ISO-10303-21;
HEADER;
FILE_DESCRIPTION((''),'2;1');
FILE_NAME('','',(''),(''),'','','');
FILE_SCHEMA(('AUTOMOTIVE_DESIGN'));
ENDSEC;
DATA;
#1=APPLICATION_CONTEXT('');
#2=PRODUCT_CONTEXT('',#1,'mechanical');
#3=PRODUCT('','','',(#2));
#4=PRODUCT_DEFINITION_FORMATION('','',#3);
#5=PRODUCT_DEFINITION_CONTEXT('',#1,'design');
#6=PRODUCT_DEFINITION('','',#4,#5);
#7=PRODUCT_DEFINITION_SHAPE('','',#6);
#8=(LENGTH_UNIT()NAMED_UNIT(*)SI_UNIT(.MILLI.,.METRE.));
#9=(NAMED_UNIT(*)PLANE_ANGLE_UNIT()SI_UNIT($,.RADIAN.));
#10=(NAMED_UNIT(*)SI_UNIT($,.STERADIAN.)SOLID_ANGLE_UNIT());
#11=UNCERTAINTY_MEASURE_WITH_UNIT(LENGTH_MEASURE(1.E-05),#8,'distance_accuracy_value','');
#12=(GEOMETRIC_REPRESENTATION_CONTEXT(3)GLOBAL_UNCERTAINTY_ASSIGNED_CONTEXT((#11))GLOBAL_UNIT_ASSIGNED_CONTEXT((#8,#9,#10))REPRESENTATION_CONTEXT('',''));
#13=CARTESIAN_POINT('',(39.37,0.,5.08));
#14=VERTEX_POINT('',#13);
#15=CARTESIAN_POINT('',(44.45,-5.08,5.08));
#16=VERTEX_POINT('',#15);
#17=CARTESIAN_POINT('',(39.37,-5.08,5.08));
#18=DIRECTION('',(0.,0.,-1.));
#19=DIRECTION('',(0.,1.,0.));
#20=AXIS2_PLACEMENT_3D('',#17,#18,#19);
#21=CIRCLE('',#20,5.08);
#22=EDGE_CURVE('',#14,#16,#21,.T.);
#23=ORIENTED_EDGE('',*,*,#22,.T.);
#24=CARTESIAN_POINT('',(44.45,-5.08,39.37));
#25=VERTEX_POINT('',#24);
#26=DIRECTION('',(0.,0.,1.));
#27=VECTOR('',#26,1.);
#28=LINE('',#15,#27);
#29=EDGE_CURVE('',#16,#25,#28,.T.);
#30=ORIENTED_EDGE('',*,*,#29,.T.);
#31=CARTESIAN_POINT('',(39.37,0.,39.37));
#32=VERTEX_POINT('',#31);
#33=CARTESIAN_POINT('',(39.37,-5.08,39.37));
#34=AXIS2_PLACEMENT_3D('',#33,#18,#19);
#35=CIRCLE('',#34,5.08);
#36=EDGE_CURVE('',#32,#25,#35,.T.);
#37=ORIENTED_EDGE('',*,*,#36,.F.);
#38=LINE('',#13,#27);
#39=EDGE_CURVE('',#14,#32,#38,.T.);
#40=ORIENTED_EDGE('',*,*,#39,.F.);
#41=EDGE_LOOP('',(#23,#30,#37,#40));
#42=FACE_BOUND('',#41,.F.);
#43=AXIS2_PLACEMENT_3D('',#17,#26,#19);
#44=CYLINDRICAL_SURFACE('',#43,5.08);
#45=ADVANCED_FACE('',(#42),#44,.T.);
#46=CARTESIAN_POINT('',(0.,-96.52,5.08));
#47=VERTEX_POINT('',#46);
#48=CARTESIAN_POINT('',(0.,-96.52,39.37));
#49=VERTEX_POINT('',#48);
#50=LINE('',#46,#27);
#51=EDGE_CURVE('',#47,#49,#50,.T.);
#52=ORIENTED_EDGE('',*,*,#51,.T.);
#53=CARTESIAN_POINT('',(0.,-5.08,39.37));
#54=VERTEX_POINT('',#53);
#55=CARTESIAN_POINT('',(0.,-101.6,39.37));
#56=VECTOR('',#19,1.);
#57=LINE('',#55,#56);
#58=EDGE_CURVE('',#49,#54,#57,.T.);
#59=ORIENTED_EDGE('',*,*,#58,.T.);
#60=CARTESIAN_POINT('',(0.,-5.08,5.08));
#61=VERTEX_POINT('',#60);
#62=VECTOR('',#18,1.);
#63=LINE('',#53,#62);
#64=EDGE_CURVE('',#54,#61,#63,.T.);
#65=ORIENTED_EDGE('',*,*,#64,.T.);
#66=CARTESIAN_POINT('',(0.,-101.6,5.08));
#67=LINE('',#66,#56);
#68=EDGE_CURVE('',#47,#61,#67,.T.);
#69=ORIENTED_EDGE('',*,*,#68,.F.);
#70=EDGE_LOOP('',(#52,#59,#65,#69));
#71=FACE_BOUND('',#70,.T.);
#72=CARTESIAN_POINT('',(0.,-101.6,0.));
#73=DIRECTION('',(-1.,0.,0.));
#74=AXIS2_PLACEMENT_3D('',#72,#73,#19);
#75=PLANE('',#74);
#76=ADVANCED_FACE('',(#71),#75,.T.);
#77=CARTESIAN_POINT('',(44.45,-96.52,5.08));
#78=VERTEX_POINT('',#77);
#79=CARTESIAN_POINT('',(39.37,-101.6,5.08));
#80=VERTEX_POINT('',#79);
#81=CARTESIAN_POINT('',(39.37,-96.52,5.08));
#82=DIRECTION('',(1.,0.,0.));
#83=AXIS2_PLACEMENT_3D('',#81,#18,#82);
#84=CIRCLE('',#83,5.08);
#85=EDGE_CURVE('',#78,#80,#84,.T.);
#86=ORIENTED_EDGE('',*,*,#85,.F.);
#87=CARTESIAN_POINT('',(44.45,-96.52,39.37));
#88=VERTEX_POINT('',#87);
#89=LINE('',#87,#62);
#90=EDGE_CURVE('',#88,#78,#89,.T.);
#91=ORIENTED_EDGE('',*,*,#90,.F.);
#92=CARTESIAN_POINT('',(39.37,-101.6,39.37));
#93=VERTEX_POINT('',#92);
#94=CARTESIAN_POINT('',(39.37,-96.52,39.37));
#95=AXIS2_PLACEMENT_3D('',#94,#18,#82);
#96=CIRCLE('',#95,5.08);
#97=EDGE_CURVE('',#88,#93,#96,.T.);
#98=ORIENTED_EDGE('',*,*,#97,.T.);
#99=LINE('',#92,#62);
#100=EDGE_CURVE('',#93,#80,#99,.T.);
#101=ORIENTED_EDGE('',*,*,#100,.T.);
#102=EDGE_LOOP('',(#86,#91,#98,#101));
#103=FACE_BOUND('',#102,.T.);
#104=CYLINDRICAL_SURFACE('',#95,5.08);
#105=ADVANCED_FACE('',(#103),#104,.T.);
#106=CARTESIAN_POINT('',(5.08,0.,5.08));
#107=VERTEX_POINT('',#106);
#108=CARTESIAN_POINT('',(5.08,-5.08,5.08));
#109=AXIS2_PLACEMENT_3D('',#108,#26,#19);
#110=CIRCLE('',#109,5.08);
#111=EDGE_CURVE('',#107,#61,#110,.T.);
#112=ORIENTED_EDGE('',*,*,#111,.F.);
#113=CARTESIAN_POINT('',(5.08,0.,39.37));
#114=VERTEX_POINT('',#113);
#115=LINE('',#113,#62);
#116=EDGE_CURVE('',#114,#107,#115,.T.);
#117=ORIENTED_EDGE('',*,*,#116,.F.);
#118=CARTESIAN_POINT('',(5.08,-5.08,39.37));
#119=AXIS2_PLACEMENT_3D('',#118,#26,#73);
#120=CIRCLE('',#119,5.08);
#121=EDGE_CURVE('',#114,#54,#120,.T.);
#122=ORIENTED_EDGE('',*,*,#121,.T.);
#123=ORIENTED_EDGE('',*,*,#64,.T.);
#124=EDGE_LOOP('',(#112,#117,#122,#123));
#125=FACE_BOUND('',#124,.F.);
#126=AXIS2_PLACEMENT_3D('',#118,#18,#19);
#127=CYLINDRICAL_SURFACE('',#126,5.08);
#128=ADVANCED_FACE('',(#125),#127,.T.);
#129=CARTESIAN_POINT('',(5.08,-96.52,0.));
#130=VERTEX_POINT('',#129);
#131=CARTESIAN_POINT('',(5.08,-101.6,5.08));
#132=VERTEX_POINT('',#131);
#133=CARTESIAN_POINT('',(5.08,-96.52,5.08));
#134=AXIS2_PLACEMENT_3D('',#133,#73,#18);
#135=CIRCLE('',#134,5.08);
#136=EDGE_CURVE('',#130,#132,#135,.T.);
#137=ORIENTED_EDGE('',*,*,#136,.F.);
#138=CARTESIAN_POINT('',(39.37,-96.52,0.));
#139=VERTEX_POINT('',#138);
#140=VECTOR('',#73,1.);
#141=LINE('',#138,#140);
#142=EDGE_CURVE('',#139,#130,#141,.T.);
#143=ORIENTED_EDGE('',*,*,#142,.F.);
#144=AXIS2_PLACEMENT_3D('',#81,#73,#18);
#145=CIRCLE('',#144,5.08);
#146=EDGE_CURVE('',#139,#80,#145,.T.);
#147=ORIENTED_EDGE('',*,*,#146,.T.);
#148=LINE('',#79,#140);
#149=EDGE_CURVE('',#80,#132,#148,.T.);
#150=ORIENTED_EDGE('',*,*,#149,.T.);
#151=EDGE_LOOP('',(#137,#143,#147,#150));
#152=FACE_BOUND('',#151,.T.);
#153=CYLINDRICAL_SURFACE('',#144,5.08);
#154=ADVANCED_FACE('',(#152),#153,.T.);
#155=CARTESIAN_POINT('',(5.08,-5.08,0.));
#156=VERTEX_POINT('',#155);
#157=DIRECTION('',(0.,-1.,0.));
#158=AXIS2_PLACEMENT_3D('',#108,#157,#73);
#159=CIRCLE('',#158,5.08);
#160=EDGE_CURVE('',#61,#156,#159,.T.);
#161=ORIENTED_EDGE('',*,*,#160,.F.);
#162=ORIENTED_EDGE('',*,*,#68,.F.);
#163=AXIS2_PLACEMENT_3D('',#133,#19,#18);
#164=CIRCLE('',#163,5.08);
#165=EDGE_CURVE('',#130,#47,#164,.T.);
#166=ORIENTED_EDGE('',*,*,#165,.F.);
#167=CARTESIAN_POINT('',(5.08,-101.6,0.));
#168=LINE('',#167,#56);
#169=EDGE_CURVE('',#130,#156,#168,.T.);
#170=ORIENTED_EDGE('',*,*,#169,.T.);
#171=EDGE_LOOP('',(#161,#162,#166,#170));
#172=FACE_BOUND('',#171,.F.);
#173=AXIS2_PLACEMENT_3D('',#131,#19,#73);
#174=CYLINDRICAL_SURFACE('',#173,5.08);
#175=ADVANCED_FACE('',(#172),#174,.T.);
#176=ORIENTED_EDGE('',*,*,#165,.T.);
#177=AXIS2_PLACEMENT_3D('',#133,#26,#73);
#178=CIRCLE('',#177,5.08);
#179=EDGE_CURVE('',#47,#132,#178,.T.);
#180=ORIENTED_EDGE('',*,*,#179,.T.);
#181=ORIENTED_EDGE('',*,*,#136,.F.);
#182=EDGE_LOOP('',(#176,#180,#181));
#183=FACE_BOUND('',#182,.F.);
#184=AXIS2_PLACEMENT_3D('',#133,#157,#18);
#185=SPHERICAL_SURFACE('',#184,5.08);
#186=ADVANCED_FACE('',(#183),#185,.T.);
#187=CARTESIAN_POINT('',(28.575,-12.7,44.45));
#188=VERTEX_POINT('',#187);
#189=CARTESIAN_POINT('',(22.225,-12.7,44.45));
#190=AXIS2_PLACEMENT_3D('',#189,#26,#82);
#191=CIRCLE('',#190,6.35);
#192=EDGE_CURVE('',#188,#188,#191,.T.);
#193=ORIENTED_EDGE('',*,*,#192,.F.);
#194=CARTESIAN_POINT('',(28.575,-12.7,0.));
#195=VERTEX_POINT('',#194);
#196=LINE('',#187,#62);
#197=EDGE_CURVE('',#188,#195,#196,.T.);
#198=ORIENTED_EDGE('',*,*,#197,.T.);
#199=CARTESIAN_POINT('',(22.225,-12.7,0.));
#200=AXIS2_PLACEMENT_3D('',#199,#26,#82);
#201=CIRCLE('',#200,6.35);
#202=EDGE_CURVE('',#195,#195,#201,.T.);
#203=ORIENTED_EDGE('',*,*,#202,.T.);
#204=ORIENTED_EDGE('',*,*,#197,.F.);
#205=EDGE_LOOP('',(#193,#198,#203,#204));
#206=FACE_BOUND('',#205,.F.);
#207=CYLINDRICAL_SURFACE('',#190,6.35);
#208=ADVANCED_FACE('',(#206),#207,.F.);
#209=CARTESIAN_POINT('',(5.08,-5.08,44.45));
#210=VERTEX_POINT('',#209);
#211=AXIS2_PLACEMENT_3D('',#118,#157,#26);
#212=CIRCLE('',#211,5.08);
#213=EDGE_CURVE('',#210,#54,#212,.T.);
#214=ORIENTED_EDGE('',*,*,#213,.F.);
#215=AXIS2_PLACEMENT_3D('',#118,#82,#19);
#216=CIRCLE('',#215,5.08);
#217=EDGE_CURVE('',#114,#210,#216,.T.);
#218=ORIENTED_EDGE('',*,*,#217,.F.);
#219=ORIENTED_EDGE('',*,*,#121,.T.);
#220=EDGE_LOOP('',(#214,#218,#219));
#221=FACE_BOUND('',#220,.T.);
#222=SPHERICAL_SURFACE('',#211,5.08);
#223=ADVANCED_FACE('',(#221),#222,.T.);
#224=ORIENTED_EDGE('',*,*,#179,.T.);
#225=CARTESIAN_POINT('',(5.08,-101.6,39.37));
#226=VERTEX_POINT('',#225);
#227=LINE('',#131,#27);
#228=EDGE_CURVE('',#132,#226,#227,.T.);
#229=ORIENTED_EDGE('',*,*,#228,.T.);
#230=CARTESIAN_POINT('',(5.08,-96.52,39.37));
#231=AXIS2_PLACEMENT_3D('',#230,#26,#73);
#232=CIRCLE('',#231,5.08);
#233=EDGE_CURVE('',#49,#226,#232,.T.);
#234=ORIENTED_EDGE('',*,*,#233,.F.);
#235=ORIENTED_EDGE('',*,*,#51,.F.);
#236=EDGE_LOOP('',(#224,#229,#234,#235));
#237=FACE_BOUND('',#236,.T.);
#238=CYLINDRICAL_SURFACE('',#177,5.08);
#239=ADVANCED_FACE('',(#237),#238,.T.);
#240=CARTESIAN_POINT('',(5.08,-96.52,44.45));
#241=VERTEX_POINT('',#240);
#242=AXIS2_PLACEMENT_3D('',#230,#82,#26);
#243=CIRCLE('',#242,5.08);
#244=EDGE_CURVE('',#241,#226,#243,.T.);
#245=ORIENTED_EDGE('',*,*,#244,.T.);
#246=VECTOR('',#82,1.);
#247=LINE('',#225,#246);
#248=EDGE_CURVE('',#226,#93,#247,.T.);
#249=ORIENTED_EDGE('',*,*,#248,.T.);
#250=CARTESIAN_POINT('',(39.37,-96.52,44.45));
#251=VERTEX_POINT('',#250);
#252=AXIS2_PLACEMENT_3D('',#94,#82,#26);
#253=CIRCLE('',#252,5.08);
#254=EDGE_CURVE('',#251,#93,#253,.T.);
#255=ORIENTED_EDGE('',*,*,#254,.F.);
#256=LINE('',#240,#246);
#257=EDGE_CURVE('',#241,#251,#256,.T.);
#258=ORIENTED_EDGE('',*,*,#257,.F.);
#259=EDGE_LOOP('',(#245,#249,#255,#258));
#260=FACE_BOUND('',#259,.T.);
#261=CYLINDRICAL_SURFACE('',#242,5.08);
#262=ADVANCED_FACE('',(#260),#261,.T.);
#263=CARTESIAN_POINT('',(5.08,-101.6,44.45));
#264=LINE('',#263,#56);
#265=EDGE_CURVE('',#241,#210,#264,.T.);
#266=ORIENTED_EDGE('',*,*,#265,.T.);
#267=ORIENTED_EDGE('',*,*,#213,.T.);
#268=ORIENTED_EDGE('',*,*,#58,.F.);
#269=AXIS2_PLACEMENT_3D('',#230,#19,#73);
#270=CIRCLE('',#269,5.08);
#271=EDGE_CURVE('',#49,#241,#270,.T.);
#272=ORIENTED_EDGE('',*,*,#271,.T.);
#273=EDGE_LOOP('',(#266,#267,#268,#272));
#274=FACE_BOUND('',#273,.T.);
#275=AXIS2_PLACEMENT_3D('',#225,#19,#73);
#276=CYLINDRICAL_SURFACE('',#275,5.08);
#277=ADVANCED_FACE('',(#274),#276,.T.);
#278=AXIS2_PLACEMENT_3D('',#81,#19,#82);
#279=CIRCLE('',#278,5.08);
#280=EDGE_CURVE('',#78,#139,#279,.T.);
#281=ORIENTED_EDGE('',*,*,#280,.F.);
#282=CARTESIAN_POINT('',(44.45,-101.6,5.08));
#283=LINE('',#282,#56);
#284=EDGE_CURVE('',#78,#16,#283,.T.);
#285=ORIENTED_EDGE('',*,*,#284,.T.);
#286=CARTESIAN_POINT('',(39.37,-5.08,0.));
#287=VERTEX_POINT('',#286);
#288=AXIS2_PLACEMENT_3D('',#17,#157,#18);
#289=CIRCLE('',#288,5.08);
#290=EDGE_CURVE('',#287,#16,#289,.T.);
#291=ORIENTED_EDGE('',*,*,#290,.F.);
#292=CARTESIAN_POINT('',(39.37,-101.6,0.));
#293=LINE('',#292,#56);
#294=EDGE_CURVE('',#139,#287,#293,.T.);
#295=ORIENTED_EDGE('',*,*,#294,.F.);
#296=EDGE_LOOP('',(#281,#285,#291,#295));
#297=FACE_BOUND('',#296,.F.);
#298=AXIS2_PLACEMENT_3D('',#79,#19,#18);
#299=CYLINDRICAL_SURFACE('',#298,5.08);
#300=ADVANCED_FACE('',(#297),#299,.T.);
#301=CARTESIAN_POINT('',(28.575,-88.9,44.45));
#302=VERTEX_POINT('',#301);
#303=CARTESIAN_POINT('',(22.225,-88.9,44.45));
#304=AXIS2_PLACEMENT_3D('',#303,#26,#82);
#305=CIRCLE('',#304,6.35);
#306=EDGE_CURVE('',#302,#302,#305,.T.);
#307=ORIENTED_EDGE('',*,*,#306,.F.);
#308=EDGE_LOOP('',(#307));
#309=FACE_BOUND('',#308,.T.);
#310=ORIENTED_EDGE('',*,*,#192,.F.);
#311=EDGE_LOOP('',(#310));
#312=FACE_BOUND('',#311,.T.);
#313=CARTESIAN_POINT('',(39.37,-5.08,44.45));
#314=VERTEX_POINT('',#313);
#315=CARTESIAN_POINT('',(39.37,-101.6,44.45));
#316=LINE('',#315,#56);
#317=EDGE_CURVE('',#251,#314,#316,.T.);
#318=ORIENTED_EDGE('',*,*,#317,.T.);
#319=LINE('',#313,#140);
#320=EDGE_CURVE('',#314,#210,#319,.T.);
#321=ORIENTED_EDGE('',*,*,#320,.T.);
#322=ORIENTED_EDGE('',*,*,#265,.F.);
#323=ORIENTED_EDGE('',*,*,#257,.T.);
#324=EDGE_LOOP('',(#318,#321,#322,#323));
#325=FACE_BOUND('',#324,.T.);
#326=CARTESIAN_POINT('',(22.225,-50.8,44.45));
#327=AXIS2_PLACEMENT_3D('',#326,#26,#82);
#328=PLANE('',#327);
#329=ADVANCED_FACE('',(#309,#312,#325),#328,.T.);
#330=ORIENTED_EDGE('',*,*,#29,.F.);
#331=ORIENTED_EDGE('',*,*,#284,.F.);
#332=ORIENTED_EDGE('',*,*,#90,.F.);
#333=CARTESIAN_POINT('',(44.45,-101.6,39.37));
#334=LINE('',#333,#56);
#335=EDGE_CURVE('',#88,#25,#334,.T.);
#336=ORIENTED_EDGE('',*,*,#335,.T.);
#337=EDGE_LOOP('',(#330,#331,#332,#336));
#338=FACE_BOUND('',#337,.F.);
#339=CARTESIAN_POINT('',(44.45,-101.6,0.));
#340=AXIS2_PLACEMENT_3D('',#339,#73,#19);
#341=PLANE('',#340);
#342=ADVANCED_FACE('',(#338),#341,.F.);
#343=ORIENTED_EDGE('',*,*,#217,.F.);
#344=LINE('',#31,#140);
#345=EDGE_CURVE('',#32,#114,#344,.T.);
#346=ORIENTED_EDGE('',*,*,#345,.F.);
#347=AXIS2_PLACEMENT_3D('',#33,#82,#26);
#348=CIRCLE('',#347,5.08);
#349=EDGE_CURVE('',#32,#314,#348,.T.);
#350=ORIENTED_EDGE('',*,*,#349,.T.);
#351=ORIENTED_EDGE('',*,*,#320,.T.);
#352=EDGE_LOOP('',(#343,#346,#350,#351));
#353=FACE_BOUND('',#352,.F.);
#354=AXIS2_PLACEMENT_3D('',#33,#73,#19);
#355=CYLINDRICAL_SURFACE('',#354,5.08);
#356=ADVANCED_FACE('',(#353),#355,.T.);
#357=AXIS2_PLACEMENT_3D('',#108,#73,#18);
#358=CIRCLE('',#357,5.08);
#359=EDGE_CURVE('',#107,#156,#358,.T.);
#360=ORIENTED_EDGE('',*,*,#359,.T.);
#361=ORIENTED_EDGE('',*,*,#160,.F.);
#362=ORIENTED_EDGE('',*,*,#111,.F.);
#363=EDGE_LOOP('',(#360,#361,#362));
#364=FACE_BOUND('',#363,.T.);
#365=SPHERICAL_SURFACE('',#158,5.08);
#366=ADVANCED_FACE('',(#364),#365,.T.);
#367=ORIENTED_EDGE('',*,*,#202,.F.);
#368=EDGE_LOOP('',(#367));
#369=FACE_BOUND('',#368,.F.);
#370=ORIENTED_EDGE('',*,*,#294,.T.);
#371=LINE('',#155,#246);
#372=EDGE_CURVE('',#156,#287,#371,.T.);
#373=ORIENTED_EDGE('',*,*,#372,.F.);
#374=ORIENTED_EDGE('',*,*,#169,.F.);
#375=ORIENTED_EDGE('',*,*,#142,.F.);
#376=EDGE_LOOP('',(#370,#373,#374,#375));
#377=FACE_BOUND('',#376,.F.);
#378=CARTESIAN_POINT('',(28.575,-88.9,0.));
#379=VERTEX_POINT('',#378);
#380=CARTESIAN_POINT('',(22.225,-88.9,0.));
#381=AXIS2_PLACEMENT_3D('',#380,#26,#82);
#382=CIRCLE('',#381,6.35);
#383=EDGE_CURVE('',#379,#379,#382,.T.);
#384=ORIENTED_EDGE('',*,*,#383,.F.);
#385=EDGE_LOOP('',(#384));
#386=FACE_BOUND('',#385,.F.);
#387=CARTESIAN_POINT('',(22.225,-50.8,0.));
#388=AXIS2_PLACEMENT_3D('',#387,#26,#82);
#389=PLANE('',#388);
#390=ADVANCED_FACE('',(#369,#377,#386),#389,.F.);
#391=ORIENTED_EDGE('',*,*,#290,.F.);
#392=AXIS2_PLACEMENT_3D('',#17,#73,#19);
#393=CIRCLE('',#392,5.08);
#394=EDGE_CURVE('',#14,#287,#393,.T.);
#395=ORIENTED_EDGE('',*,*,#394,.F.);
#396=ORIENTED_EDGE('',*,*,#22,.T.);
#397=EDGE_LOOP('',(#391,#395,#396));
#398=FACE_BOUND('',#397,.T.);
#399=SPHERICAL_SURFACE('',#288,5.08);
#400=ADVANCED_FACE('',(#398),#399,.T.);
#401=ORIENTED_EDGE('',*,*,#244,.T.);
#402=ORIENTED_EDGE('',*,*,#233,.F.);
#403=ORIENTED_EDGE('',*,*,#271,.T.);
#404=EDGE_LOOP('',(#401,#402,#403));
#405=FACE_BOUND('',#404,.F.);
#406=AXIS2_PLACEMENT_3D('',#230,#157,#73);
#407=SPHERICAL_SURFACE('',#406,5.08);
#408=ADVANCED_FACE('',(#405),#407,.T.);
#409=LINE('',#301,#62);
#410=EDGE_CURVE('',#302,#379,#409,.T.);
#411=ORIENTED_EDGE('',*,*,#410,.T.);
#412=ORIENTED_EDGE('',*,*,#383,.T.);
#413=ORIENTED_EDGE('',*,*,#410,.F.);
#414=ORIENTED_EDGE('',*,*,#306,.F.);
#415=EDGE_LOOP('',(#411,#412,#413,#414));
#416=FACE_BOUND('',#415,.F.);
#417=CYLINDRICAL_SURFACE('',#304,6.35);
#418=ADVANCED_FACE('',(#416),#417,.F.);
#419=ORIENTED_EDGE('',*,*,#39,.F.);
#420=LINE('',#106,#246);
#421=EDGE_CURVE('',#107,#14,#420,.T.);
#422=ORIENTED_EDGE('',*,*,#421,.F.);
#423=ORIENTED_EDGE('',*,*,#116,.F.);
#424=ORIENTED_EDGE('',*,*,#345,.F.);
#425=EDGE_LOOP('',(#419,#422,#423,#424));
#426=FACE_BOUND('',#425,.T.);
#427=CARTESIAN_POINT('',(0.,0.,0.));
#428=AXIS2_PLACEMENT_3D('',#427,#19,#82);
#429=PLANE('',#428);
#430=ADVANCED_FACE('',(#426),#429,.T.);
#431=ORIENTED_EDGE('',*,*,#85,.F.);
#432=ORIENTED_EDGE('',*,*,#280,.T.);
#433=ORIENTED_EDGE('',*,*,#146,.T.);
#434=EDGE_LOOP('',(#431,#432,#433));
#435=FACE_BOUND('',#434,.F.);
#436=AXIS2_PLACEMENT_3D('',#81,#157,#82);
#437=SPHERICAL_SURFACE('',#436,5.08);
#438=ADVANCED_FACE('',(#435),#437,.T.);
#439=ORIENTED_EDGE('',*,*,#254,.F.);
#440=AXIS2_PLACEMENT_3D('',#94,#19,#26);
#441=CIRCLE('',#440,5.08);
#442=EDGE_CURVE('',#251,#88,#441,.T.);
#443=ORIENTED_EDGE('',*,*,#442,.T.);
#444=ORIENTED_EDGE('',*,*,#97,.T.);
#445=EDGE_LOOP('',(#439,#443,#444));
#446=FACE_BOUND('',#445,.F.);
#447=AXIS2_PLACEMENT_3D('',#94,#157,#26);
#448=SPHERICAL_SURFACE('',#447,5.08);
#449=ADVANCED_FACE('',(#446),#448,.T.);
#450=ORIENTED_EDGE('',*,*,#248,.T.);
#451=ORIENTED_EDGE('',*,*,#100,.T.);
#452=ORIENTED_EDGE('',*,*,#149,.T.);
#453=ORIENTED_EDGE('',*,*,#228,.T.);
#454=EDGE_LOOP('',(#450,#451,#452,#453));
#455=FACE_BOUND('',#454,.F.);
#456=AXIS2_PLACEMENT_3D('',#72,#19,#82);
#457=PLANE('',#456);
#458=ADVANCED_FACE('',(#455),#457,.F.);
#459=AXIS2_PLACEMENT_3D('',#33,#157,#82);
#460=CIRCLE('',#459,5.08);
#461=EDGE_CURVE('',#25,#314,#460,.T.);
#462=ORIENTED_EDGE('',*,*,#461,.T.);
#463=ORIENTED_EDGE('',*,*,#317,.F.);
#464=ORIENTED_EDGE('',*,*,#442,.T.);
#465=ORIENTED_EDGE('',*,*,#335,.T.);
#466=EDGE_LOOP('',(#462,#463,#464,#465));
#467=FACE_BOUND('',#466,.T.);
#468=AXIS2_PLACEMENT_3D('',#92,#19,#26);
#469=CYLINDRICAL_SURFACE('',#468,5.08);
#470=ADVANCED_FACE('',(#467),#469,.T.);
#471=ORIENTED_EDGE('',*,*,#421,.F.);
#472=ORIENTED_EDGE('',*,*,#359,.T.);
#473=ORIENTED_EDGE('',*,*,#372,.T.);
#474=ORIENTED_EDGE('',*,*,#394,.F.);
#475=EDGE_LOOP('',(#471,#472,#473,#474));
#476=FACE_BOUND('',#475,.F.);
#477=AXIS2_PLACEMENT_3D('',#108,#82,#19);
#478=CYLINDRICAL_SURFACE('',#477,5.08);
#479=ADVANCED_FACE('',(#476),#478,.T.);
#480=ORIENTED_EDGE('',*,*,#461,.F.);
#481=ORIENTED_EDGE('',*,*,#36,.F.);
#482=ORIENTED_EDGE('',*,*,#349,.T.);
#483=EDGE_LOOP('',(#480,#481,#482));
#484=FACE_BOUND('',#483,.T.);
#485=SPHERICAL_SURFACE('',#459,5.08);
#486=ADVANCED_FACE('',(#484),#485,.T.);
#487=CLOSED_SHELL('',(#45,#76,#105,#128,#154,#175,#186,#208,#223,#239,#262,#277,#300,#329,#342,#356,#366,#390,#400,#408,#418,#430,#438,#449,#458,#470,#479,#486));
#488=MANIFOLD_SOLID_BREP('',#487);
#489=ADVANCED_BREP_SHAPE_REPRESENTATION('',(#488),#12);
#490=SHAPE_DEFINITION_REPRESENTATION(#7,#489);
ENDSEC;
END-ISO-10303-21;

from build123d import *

# Parameters (mm, degrees)
F0_W     = 44.45
F0_H     = 101.6
F1_DEPTH = 44.45
F2_R     = 6.35
F3_DEPTH = 59.69
F4_R     = 5.08
F5_R     = 5.08


with BuildPart() as f1:
    # F0 (on Top) → F1 (new body)
    with BuildSketch(Plane.XY):
        with Locations((22.225, -50.8)):
            Rectangle(F0_W, F0_H)
    extrude(amount=F1_DEPTH)

    # F2 (on face) → F3 (cut)
    with BuildSketch(Plane.XY.offset(44.45)):
        with Locations((22.225, -12.7)):
            Circle(F2_R)
        with Locations((22.225, -88.9)):
            Circle(F2_R)
    extrude(amount=-F3_DEPTH, mode=Mode.SUBTRACT)

    # F4
    f4_edges = [f1.edges().sort_by_distance(p)[0] for p in [
        (44.45, -50.8, 44.45),
        (44.45, -50.8, 0),
        (0, -50.8, 0),
        (0, -50.8, 44.45),
    ]]
    fillet(f4_edges, radius=F4_R)

    # F5
    f5_edges = [f1.edges().sort_by_distance(p)[0] for p in [
        (44.45, 0, 22.225),
        (42.962102, 0, 1.487898),
        (42.962102, 0, 42.962102),
        (22.225, 0, 0),
        (22.225, 0, 44.45),
        (1.487898, 0, 1.487898),
        (1.487898, 0, 42.962102),
        (0, 0, 22.225),
        (0, -101.6, 22.225),
        (1.487898, -101.6, 1.487898),
        (1.487898, -101.6, 42.962102),
        (22.225, -101.6, 0),
        (22.225, -101.6, 44.45),
        (42.962102, -101.6, 1.487898),
        (42.962102, -101.6, 42.962102),
        (44.45, -101.6, 22.225),
    ]]
    fillet(f5_edges, radius=F5_R)


solid = f1.part
